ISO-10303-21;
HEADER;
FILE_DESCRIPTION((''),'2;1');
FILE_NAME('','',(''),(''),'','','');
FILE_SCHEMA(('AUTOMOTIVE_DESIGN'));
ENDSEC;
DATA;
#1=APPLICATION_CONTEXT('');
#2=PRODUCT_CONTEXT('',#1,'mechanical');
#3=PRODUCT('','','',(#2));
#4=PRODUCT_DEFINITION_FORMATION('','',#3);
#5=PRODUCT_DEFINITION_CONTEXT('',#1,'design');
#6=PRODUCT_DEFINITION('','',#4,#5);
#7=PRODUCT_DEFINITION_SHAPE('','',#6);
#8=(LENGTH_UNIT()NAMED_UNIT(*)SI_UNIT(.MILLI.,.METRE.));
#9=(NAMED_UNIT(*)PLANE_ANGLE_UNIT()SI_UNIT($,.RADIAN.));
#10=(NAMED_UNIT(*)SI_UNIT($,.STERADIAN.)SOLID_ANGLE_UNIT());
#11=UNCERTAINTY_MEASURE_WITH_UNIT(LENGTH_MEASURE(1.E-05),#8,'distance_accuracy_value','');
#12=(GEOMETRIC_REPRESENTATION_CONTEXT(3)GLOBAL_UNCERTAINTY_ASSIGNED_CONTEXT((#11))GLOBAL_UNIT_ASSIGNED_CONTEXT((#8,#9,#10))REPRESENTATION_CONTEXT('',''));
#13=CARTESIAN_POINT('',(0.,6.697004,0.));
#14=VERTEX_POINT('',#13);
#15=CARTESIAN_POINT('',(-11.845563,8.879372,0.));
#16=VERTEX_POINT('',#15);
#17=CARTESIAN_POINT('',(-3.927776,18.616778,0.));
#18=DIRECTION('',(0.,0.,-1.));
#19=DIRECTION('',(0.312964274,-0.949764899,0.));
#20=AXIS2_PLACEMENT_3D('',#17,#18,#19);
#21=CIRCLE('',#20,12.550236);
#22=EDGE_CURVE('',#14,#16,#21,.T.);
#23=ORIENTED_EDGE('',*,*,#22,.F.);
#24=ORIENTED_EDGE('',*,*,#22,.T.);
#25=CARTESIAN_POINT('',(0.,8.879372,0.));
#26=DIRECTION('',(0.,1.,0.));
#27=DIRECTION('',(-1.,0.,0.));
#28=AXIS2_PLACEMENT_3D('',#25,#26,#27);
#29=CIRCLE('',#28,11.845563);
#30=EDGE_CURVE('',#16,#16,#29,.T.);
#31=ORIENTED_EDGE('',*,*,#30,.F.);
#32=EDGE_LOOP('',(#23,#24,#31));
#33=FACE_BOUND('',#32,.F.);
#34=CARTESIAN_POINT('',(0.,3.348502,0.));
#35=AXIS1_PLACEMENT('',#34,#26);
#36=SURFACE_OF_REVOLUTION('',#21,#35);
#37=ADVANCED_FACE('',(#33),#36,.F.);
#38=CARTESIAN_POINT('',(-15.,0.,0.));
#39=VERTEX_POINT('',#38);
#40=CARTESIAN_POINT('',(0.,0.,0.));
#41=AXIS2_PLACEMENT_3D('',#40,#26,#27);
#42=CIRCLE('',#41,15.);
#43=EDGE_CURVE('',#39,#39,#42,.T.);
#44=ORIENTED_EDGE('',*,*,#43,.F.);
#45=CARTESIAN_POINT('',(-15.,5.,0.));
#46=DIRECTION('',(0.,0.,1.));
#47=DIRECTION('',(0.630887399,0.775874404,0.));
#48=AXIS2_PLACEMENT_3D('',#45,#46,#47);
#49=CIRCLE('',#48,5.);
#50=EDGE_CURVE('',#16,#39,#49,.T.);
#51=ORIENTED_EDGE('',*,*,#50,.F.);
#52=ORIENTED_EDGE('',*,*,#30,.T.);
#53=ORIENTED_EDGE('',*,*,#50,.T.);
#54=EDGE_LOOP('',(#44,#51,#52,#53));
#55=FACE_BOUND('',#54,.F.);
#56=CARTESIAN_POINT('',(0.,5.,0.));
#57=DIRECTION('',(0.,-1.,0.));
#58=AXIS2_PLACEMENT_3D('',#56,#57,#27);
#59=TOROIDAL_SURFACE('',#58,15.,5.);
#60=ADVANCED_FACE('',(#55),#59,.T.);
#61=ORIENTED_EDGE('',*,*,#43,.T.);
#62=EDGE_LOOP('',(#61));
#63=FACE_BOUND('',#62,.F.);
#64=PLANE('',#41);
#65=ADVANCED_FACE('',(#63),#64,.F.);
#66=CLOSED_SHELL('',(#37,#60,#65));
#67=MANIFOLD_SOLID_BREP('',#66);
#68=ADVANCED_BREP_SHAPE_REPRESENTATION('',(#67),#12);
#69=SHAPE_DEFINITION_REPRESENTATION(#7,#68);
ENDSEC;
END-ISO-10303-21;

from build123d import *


with BuildPart() as f1:
    # F0 (on Top) → F1 (revolve)
    with BuildSketch(Plane.XY):
        with BuildLine():
            ThreePointArc((0, 6.697004), (-6.2017, 6.274262), (-11.845563, 8.879372))
            ThreePointArc((-11.845563, 8.879372), (-19.711521, 6.673789), (-15, 0))
            Line((-15, 0), (0, 0))
            Line((0, 0), (0, 6.697004))
        make_face()
    revolve(axis=Axis((0, 3.348502, 0), (0, 1, 0)))


solid = f1.part
